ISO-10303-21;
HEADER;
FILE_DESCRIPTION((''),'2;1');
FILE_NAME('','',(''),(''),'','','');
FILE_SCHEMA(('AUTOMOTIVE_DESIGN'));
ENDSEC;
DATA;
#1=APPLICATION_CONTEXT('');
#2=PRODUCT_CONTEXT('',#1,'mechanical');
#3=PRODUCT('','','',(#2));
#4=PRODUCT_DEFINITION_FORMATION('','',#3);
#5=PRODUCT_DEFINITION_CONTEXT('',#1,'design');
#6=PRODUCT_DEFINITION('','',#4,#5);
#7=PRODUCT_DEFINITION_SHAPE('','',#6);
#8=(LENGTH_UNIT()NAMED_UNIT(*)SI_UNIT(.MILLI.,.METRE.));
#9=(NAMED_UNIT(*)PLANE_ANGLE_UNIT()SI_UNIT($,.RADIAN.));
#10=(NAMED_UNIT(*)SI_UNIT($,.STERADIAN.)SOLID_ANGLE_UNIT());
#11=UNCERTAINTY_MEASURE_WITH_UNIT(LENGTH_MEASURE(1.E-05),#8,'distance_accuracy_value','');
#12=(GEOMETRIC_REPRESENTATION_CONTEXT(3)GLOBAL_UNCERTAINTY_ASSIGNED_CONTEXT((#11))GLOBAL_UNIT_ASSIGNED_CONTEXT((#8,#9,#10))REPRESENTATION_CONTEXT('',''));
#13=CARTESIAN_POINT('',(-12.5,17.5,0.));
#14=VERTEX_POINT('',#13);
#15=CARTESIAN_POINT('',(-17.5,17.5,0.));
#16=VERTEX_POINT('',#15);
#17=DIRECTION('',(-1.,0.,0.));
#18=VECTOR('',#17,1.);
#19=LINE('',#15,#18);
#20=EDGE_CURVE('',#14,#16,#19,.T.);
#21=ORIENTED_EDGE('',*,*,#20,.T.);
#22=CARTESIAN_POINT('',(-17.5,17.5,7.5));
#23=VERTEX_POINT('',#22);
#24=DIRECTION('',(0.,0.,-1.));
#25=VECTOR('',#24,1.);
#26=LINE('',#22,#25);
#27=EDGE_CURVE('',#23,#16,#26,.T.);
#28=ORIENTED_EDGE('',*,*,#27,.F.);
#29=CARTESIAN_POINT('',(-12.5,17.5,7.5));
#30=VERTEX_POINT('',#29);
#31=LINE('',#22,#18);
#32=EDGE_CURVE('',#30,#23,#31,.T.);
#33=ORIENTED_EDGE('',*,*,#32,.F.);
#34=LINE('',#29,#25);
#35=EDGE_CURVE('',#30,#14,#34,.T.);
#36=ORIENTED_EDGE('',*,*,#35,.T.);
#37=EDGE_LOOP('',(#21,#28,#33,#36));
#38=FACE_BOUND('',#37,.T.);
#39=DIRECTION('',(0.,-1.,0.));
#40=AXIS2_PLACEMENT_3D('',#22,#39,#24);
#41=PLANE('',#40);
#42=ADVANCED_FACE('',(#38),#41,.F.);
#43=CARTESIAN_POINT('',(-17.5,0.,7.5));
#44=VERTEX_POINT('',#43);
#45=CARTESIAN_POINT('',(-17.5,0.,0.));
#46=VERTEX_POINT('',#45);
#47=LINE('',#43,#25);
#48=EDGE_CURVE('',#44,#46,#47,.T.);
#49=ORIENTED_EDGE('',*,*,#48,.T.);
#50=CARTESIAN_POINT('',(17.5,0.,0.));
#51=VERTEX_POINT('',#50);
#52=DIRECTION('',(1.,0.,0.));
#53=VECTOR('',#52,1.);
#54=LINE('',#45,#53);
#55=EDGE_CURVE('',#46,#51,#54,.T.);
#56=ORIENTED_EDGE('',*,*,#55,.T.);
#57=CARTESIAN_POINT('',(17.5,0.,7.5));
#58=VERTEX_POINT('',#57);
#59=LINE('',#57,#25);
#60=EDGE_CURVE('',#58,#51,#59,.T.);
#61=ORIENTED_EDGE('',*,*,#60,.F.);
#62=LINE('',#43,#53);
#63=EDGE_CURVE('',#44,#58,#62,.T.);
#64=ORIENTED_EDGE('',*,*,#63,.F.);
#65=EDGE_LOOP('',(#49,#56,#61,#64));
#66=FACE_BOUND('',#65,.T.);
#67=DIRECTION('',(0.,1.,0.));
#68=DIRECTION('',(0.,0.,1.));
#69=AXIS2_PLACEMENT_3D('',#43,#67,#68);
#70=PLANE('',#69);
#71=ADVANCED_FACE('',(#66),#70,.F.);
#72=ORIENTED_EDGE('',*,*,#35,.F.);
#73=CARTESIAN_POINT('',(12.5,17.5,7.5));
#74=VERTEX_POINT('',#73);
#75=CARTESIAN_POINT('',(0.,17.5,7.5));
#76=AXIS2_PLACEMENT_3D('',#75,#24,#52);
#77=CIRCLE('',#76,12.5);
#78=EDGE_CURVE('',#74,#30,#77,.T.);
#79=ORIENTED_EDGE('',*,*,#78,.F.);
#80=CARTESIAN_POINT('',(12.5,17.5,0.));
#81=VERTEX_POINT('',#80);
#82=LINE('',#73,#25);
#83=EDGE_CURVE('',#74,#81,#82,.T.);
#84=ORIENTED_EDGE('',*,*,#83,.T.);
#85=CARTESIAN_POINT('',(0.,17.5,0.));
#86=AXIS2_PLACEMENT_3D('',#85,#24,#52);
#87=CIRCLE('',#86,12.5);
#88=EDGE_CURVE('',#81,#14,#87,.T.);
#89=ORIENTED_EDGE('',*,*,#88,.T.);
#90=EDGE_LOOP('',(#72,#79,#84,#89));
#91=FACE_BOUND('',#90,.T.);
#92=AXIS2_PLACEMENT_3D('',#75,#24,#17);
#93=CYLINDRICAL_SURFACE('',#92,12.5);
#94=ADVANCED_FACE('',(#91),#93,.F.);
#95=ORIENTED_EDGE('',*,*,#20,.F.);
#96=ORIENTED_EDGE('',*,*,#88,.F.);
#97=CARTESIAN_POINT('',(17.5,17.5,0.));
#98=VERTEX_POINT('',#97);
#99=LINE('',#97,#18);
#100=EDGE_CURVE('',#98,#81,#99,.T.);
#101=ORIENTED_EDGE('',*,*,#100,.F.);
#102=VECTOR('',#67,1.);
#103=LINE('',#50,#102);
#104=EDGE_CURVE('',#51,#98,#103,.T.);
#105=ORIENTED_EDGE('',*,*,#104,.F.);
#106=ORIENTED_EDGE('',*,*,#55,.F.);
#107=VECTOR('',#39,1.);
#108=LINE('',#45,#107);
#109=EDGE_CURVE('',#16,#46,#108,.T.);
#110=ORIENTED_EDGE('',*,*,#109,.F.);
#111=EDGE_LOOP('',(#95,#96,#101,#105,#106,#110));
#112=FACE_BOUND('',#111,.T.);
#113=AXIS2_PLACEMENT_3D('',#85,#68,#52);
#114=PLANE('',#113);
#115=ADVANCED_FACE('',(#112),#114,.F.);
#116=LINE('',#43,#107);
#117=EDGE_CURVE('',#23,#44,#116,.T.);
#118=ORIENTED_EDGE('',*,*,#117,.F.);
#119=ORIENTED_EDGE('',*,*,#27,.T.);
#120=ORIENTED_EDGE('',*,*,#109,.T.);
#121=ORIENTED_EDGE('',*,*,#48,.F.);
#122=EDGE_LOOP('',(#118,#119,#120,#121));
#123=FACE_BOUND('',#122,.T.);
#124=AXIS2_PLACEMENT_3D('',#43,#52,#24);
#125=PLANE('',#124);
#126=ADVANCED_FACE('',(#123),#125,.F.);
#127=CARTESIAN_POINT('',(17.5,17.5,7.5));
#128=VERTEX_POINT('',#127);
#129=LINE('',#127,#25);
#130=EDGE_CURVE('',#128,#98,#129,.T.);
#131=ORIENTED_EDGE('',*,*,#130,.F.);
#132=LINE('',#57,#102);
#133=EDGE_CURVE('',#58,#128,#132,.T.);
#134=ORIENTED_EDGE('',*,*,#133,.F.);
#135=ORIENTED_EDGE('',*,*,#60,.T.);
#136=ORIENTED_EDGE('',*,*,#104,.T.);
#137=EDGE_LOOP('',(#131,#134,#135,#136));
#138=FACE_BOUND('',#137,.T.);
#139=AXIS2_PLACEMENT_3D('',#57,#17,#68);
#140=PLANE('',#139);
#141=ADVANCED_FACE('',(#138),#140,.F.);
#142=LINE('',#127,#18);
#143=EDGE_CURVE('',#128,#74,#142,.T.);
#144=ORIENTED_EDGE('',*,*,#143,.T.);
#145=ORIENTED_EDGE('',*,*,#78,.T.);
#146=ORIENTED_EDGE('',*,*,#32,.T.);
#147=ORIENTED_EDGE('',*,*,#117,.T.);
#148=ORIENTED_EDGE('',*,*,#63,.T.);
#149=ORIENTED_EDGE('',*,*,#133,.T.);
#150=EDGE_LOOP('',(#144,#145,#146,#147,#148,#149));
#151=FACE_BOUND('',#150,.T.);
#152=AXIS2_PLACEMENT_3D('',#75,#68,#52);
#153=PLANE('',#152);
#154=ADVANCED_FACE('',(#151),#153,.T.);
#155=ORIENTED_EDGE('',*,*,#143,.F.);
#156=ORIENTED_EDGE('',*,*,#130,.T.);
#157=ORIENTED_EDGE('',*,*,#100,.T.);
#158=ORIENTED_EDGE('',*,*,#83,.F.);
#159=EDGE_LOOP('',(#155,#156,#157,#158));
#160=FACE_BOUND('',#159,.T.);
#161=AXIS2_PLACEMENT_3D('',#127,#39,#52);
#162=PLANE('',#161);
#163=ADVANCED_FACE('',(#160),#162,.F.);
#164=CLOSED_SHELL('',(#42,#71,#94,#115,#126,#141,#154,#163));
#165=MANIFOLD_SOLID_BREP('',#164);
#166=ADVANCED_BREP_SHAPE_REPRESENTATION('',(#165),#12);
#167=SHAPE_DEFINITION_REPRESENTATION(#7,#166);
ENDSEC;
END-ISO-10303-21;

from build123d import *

# Parameters (mm, degrees)
BOSS_EXTRUDE1_DEPTH = 7.5


with BuildPart() as part:
    # Sketch1 → Boss-Extrude1 (new body)
    with BuildSketch(Plane.XY):
        with BuildLine():
            Line((-17.5, 0), (17.5, 0))
            Line((17.5, 0), (17.5, 17.5))
            Line((17.5, 17.5), (12.5, 17.5))
            ThreePointArc((12.5, 17.5), (0, 5), (-12.5, 17.5))
            Line((-12.5, 17.5), (-17.5, 17.5))
            Line((-17.5, 17.5), (-17.5, 0))
        make_face()
    extrude(amount=BOSS_EXTRUDE1_DEPTH)


solid = part.part
